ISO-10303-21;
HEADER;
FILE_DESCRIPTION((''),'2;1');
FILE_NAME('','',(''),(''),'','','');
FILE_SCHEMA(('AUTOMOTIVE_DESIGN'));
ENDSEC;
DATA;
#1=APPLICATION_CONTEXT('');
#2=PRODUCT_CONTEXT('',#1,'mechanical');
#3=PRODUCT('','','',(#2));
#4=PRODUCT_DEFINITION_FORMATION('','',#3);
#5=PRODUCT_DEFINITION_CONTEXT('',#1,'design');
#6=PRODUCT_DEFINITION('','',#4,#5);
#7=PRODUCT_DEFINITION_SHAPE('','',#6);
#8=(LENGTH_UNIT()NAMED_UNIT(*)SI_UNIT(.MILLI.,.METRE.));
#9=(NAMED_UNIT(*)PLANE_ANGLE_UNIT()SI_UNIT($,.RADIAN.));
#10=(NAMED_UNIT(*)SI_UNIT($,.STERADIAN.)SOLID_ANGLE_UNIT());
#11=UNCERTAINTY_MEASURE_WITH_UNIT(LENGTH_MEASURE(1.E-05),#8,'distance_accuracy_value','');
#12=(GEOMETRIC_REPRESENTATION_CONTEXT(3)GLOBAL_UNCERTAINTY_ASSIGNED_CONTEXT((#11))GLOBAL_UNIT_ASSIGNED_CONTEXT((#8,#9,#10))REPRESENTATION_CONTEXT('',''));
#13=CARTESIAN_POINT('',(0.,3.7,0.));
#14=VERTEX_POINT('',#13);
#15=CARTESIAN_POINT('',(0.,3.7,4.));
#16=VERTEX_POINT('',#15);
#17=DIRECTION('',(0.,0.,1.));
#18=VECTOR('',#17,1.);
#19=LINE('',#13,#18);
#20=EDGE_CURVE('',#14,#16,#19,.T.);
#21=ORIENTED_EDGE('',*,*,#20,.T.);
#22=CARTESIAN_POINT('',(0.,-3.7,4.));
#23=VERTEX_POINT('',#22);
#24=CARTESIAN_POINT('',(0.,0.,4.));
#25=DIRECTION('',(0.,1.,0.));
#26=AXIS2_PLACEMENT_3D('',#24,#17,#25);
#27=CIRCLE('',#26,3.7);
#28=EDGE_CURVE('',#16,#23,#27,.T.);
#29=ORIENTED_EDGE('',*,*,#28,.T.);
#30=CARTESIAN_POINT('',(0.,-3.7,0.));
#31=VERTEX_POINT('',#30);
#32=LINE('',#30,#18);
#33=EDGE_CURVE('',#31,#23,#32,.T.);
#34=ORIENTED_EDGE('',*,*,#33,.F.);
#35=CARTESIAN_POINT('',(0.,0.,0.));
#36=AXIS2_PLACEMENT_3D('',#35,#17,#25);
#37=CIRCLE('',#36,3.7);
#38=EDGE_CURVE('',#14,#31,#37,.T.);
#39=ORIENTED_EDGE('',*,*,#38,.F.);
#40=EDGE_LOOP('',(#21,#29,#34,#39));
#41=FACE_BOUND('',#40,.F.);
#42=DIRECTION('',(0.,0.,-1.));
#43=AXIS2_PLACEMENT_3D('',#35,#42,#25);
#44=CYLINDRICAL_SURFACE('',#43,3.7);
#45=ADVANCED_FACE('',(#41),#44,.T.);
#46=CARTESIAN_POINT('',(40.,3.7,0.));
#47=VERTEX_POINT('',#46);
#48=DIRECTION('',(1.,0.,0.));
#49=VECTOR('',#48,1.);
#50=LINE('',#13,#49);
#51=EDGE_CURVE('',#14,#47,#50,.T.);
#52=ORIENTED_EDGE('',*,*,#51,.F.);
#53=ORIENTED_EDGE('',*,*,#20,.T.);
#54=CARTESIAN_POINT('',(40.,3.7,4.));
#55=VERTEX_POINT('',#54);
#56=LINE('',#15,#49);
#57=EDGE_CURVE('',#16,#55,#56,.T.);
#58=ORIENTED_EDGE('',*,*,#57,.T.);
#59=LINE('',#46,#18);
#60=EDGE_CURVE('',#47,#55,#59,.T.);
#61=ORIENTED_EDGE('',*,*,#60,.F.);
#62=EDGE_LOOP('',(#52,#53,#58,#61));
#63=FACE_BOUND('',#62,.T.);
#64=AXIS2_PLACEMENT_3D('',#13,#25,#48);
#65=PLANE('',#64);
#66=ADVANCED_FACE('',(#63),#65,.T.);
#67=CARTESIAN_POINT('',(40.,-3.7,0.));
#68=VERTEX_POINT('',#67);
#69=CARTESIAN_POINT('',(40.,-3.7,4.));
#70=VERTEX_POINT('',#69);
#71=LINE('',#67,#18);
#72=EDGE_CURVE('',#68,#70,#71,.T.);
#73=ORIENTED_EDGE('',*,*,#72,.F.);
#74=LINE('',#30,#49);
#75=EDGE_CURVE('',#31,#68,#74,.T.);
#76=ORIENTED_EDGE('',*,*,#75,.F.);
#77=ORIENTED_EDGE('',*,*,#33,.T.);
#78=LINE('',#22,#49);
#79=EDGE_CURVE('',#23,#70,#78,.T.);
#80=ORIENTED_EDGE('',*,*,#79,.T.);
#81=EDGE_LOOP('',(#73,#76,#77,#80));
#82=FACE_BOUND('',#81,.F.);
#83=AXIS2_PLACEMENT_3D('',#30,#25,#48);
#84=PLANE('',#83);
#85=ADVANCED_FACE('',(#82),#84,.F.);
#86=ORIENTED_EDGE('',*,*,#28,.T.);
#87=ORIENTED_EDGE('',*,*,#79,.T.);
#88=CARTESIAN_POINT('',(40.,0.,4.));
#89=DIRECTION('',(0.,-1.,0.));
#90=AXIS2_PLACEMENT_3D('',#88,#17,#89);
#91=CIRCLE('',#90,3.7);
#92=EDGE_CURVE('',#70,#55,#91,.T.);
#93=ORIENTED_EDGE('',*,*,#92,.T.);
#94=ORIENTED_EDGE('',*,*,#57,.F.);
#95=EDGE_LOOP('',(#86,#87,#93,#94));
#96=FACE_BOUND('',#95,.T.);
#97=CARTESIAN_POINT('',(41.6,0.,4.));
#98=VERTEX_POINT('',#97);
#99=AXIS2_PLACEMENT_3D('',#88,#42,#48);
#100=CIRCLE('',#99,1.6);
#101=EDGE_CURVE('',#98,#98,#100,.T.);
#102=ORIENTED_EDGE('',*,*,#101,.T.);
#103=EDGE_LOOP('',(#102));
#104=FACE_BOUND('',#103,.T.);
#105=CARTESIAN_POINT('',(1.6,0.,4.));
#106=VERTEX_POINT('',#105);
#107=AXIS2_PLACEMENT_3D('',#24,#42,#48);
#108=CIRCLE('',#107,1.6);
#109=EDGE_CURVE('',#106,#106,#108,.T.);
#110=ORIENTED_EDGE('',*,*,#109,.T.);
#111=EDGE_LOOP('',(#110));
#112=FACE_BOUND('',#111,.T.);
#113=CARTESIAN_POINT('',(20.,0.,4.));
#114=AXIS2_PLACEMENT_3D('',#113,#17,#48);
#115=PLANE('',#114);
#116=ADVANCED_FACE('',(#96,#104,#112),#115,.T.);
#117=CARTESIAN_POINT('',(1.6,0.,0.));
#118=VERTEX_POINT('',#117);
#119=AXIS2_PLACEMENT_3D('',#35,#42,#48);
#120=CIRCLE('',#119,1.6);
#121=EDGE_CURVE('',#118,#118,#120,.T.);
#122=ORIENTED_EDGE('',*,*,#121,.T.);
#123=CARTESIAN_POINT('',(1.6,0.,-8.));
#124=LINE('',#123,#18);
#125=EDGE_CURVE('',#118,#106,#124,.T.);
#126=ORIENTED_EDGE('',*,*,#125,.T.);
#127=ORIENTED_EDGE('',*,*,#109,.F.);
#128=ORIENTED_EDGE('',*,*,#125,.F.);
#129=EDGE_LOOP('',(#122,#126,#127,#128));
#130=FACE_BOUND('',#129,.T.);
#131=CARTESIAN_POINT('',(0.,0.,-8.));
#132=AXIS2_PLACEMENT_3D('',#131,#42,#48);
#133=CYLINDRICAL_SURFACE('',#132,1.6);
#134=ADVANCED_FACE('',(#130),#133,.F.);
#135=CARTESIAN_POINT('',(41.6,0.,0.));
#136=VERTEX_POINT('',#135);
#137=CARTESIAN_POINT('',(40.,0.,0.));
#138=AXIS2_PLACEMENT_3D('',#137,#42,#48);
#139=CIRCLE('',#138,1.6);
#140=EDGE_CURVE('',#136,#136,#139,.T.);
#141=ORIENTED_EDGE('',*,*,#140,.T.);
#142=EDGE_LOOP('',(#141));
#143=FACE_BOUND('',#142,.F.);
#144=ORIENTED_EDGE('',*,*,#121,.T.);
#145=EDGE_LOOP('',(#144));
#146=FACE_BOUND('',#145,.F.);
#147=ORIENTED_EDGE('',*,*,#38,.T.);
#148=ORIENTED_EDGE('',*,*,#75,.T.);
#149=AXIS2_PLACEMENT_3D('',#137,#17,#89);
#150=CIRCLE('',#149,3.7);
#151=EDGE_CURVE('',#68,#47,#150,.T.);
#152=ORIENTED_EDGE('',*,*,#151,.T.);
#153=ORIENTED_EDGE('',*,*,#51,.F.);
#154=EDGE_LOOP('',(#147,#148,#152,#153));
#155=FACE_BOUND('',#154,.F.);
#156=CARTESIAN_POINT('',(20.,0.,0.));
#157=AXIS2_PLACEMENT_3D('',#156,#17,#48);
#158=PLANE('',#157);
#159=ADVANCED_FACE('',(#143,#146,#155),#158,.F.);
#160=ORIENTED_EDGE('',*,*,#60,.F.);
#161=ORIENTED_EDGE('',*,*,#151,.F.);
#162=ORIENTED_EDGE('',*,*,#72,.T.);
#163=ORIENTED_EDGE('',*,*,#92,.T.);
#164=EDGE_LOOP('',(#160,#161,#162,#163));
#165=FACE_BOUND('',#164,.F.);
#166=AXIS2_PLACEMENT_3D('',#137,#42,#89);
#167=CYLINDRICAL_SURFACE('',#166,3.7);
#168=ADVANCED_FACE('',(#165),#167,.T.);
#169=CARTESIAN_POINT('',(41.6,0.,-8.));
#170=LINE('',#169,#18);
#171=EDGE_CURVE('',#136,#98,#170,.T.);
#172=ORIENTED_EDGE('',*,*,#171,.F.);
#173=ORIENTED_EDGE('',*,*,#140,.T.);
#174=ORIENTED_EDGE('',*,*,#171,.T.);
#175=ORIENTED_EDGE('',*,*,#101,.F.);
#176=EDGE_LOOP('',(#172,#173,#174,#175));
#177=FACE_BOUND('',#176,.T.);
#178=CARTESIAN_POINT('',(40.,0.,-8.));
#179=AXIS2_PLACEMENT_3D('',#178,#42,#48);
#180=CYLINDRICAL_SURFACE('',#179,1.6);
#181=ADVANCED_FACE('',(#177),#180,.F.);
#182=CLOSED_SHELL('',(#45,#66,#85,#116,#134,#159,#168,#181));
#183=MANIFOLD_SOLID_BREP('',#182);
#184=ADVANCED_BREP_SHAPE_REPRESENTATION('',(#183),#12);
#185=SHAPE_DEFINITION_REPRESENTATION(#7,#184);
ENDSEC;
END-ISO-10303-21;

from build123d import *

# Parameters (mm, degrees)
CYLINDER005_R     = 1.6
CYLINDER005_DEPTH = 30
PAD002_DEPTH      = 4


with BuildPart() as finger_drill_master:
    # Cylinder005 → Cylinder005 (new body)
    with BuildSketch(Plane.XY.offset(-8)):
        Circle(CYLINDER005_R)
    extrude(amount=CYLINDER005_DEPTH)


with BuildPart() as clone006:
    # Clone006 base: copy of finger-drill-master
    add(finger_drill_master.part)


with BuildPart() as clone006_1:
    # Clone006 placement: moved
    add(clone006.part.moved(Location((40, 0, 0))))


with BuildPart() as fusion012:
    # Clone005 base: copy of finger-drill-master
    add(finger_drill_master.part)

    # Fusion012: union Clone006
    add(clone006_1.part)


with BuildPart() as link_master:
    # Sketch002 → Pad002 (new body)
    with BuildSketch(Plane.XY):
        with BuildLine():
            ThreePointArc((0, 3.7), (-3.7, 0), (0, -3.7))
            Line((0, -3.7), (40, -3.7))
            ThreePointArc((40, -3.7), (43.7, 0), (40, 3.7))
            Line((0, 3.7), (40, 3.7))
        make_face()
    extrude(amount=PAD002_DEPTH)

    # Cut001: cut Fusion012
    add(fusion012.part, mode=Mode.SUBTRACT)


solid = link_master.part
